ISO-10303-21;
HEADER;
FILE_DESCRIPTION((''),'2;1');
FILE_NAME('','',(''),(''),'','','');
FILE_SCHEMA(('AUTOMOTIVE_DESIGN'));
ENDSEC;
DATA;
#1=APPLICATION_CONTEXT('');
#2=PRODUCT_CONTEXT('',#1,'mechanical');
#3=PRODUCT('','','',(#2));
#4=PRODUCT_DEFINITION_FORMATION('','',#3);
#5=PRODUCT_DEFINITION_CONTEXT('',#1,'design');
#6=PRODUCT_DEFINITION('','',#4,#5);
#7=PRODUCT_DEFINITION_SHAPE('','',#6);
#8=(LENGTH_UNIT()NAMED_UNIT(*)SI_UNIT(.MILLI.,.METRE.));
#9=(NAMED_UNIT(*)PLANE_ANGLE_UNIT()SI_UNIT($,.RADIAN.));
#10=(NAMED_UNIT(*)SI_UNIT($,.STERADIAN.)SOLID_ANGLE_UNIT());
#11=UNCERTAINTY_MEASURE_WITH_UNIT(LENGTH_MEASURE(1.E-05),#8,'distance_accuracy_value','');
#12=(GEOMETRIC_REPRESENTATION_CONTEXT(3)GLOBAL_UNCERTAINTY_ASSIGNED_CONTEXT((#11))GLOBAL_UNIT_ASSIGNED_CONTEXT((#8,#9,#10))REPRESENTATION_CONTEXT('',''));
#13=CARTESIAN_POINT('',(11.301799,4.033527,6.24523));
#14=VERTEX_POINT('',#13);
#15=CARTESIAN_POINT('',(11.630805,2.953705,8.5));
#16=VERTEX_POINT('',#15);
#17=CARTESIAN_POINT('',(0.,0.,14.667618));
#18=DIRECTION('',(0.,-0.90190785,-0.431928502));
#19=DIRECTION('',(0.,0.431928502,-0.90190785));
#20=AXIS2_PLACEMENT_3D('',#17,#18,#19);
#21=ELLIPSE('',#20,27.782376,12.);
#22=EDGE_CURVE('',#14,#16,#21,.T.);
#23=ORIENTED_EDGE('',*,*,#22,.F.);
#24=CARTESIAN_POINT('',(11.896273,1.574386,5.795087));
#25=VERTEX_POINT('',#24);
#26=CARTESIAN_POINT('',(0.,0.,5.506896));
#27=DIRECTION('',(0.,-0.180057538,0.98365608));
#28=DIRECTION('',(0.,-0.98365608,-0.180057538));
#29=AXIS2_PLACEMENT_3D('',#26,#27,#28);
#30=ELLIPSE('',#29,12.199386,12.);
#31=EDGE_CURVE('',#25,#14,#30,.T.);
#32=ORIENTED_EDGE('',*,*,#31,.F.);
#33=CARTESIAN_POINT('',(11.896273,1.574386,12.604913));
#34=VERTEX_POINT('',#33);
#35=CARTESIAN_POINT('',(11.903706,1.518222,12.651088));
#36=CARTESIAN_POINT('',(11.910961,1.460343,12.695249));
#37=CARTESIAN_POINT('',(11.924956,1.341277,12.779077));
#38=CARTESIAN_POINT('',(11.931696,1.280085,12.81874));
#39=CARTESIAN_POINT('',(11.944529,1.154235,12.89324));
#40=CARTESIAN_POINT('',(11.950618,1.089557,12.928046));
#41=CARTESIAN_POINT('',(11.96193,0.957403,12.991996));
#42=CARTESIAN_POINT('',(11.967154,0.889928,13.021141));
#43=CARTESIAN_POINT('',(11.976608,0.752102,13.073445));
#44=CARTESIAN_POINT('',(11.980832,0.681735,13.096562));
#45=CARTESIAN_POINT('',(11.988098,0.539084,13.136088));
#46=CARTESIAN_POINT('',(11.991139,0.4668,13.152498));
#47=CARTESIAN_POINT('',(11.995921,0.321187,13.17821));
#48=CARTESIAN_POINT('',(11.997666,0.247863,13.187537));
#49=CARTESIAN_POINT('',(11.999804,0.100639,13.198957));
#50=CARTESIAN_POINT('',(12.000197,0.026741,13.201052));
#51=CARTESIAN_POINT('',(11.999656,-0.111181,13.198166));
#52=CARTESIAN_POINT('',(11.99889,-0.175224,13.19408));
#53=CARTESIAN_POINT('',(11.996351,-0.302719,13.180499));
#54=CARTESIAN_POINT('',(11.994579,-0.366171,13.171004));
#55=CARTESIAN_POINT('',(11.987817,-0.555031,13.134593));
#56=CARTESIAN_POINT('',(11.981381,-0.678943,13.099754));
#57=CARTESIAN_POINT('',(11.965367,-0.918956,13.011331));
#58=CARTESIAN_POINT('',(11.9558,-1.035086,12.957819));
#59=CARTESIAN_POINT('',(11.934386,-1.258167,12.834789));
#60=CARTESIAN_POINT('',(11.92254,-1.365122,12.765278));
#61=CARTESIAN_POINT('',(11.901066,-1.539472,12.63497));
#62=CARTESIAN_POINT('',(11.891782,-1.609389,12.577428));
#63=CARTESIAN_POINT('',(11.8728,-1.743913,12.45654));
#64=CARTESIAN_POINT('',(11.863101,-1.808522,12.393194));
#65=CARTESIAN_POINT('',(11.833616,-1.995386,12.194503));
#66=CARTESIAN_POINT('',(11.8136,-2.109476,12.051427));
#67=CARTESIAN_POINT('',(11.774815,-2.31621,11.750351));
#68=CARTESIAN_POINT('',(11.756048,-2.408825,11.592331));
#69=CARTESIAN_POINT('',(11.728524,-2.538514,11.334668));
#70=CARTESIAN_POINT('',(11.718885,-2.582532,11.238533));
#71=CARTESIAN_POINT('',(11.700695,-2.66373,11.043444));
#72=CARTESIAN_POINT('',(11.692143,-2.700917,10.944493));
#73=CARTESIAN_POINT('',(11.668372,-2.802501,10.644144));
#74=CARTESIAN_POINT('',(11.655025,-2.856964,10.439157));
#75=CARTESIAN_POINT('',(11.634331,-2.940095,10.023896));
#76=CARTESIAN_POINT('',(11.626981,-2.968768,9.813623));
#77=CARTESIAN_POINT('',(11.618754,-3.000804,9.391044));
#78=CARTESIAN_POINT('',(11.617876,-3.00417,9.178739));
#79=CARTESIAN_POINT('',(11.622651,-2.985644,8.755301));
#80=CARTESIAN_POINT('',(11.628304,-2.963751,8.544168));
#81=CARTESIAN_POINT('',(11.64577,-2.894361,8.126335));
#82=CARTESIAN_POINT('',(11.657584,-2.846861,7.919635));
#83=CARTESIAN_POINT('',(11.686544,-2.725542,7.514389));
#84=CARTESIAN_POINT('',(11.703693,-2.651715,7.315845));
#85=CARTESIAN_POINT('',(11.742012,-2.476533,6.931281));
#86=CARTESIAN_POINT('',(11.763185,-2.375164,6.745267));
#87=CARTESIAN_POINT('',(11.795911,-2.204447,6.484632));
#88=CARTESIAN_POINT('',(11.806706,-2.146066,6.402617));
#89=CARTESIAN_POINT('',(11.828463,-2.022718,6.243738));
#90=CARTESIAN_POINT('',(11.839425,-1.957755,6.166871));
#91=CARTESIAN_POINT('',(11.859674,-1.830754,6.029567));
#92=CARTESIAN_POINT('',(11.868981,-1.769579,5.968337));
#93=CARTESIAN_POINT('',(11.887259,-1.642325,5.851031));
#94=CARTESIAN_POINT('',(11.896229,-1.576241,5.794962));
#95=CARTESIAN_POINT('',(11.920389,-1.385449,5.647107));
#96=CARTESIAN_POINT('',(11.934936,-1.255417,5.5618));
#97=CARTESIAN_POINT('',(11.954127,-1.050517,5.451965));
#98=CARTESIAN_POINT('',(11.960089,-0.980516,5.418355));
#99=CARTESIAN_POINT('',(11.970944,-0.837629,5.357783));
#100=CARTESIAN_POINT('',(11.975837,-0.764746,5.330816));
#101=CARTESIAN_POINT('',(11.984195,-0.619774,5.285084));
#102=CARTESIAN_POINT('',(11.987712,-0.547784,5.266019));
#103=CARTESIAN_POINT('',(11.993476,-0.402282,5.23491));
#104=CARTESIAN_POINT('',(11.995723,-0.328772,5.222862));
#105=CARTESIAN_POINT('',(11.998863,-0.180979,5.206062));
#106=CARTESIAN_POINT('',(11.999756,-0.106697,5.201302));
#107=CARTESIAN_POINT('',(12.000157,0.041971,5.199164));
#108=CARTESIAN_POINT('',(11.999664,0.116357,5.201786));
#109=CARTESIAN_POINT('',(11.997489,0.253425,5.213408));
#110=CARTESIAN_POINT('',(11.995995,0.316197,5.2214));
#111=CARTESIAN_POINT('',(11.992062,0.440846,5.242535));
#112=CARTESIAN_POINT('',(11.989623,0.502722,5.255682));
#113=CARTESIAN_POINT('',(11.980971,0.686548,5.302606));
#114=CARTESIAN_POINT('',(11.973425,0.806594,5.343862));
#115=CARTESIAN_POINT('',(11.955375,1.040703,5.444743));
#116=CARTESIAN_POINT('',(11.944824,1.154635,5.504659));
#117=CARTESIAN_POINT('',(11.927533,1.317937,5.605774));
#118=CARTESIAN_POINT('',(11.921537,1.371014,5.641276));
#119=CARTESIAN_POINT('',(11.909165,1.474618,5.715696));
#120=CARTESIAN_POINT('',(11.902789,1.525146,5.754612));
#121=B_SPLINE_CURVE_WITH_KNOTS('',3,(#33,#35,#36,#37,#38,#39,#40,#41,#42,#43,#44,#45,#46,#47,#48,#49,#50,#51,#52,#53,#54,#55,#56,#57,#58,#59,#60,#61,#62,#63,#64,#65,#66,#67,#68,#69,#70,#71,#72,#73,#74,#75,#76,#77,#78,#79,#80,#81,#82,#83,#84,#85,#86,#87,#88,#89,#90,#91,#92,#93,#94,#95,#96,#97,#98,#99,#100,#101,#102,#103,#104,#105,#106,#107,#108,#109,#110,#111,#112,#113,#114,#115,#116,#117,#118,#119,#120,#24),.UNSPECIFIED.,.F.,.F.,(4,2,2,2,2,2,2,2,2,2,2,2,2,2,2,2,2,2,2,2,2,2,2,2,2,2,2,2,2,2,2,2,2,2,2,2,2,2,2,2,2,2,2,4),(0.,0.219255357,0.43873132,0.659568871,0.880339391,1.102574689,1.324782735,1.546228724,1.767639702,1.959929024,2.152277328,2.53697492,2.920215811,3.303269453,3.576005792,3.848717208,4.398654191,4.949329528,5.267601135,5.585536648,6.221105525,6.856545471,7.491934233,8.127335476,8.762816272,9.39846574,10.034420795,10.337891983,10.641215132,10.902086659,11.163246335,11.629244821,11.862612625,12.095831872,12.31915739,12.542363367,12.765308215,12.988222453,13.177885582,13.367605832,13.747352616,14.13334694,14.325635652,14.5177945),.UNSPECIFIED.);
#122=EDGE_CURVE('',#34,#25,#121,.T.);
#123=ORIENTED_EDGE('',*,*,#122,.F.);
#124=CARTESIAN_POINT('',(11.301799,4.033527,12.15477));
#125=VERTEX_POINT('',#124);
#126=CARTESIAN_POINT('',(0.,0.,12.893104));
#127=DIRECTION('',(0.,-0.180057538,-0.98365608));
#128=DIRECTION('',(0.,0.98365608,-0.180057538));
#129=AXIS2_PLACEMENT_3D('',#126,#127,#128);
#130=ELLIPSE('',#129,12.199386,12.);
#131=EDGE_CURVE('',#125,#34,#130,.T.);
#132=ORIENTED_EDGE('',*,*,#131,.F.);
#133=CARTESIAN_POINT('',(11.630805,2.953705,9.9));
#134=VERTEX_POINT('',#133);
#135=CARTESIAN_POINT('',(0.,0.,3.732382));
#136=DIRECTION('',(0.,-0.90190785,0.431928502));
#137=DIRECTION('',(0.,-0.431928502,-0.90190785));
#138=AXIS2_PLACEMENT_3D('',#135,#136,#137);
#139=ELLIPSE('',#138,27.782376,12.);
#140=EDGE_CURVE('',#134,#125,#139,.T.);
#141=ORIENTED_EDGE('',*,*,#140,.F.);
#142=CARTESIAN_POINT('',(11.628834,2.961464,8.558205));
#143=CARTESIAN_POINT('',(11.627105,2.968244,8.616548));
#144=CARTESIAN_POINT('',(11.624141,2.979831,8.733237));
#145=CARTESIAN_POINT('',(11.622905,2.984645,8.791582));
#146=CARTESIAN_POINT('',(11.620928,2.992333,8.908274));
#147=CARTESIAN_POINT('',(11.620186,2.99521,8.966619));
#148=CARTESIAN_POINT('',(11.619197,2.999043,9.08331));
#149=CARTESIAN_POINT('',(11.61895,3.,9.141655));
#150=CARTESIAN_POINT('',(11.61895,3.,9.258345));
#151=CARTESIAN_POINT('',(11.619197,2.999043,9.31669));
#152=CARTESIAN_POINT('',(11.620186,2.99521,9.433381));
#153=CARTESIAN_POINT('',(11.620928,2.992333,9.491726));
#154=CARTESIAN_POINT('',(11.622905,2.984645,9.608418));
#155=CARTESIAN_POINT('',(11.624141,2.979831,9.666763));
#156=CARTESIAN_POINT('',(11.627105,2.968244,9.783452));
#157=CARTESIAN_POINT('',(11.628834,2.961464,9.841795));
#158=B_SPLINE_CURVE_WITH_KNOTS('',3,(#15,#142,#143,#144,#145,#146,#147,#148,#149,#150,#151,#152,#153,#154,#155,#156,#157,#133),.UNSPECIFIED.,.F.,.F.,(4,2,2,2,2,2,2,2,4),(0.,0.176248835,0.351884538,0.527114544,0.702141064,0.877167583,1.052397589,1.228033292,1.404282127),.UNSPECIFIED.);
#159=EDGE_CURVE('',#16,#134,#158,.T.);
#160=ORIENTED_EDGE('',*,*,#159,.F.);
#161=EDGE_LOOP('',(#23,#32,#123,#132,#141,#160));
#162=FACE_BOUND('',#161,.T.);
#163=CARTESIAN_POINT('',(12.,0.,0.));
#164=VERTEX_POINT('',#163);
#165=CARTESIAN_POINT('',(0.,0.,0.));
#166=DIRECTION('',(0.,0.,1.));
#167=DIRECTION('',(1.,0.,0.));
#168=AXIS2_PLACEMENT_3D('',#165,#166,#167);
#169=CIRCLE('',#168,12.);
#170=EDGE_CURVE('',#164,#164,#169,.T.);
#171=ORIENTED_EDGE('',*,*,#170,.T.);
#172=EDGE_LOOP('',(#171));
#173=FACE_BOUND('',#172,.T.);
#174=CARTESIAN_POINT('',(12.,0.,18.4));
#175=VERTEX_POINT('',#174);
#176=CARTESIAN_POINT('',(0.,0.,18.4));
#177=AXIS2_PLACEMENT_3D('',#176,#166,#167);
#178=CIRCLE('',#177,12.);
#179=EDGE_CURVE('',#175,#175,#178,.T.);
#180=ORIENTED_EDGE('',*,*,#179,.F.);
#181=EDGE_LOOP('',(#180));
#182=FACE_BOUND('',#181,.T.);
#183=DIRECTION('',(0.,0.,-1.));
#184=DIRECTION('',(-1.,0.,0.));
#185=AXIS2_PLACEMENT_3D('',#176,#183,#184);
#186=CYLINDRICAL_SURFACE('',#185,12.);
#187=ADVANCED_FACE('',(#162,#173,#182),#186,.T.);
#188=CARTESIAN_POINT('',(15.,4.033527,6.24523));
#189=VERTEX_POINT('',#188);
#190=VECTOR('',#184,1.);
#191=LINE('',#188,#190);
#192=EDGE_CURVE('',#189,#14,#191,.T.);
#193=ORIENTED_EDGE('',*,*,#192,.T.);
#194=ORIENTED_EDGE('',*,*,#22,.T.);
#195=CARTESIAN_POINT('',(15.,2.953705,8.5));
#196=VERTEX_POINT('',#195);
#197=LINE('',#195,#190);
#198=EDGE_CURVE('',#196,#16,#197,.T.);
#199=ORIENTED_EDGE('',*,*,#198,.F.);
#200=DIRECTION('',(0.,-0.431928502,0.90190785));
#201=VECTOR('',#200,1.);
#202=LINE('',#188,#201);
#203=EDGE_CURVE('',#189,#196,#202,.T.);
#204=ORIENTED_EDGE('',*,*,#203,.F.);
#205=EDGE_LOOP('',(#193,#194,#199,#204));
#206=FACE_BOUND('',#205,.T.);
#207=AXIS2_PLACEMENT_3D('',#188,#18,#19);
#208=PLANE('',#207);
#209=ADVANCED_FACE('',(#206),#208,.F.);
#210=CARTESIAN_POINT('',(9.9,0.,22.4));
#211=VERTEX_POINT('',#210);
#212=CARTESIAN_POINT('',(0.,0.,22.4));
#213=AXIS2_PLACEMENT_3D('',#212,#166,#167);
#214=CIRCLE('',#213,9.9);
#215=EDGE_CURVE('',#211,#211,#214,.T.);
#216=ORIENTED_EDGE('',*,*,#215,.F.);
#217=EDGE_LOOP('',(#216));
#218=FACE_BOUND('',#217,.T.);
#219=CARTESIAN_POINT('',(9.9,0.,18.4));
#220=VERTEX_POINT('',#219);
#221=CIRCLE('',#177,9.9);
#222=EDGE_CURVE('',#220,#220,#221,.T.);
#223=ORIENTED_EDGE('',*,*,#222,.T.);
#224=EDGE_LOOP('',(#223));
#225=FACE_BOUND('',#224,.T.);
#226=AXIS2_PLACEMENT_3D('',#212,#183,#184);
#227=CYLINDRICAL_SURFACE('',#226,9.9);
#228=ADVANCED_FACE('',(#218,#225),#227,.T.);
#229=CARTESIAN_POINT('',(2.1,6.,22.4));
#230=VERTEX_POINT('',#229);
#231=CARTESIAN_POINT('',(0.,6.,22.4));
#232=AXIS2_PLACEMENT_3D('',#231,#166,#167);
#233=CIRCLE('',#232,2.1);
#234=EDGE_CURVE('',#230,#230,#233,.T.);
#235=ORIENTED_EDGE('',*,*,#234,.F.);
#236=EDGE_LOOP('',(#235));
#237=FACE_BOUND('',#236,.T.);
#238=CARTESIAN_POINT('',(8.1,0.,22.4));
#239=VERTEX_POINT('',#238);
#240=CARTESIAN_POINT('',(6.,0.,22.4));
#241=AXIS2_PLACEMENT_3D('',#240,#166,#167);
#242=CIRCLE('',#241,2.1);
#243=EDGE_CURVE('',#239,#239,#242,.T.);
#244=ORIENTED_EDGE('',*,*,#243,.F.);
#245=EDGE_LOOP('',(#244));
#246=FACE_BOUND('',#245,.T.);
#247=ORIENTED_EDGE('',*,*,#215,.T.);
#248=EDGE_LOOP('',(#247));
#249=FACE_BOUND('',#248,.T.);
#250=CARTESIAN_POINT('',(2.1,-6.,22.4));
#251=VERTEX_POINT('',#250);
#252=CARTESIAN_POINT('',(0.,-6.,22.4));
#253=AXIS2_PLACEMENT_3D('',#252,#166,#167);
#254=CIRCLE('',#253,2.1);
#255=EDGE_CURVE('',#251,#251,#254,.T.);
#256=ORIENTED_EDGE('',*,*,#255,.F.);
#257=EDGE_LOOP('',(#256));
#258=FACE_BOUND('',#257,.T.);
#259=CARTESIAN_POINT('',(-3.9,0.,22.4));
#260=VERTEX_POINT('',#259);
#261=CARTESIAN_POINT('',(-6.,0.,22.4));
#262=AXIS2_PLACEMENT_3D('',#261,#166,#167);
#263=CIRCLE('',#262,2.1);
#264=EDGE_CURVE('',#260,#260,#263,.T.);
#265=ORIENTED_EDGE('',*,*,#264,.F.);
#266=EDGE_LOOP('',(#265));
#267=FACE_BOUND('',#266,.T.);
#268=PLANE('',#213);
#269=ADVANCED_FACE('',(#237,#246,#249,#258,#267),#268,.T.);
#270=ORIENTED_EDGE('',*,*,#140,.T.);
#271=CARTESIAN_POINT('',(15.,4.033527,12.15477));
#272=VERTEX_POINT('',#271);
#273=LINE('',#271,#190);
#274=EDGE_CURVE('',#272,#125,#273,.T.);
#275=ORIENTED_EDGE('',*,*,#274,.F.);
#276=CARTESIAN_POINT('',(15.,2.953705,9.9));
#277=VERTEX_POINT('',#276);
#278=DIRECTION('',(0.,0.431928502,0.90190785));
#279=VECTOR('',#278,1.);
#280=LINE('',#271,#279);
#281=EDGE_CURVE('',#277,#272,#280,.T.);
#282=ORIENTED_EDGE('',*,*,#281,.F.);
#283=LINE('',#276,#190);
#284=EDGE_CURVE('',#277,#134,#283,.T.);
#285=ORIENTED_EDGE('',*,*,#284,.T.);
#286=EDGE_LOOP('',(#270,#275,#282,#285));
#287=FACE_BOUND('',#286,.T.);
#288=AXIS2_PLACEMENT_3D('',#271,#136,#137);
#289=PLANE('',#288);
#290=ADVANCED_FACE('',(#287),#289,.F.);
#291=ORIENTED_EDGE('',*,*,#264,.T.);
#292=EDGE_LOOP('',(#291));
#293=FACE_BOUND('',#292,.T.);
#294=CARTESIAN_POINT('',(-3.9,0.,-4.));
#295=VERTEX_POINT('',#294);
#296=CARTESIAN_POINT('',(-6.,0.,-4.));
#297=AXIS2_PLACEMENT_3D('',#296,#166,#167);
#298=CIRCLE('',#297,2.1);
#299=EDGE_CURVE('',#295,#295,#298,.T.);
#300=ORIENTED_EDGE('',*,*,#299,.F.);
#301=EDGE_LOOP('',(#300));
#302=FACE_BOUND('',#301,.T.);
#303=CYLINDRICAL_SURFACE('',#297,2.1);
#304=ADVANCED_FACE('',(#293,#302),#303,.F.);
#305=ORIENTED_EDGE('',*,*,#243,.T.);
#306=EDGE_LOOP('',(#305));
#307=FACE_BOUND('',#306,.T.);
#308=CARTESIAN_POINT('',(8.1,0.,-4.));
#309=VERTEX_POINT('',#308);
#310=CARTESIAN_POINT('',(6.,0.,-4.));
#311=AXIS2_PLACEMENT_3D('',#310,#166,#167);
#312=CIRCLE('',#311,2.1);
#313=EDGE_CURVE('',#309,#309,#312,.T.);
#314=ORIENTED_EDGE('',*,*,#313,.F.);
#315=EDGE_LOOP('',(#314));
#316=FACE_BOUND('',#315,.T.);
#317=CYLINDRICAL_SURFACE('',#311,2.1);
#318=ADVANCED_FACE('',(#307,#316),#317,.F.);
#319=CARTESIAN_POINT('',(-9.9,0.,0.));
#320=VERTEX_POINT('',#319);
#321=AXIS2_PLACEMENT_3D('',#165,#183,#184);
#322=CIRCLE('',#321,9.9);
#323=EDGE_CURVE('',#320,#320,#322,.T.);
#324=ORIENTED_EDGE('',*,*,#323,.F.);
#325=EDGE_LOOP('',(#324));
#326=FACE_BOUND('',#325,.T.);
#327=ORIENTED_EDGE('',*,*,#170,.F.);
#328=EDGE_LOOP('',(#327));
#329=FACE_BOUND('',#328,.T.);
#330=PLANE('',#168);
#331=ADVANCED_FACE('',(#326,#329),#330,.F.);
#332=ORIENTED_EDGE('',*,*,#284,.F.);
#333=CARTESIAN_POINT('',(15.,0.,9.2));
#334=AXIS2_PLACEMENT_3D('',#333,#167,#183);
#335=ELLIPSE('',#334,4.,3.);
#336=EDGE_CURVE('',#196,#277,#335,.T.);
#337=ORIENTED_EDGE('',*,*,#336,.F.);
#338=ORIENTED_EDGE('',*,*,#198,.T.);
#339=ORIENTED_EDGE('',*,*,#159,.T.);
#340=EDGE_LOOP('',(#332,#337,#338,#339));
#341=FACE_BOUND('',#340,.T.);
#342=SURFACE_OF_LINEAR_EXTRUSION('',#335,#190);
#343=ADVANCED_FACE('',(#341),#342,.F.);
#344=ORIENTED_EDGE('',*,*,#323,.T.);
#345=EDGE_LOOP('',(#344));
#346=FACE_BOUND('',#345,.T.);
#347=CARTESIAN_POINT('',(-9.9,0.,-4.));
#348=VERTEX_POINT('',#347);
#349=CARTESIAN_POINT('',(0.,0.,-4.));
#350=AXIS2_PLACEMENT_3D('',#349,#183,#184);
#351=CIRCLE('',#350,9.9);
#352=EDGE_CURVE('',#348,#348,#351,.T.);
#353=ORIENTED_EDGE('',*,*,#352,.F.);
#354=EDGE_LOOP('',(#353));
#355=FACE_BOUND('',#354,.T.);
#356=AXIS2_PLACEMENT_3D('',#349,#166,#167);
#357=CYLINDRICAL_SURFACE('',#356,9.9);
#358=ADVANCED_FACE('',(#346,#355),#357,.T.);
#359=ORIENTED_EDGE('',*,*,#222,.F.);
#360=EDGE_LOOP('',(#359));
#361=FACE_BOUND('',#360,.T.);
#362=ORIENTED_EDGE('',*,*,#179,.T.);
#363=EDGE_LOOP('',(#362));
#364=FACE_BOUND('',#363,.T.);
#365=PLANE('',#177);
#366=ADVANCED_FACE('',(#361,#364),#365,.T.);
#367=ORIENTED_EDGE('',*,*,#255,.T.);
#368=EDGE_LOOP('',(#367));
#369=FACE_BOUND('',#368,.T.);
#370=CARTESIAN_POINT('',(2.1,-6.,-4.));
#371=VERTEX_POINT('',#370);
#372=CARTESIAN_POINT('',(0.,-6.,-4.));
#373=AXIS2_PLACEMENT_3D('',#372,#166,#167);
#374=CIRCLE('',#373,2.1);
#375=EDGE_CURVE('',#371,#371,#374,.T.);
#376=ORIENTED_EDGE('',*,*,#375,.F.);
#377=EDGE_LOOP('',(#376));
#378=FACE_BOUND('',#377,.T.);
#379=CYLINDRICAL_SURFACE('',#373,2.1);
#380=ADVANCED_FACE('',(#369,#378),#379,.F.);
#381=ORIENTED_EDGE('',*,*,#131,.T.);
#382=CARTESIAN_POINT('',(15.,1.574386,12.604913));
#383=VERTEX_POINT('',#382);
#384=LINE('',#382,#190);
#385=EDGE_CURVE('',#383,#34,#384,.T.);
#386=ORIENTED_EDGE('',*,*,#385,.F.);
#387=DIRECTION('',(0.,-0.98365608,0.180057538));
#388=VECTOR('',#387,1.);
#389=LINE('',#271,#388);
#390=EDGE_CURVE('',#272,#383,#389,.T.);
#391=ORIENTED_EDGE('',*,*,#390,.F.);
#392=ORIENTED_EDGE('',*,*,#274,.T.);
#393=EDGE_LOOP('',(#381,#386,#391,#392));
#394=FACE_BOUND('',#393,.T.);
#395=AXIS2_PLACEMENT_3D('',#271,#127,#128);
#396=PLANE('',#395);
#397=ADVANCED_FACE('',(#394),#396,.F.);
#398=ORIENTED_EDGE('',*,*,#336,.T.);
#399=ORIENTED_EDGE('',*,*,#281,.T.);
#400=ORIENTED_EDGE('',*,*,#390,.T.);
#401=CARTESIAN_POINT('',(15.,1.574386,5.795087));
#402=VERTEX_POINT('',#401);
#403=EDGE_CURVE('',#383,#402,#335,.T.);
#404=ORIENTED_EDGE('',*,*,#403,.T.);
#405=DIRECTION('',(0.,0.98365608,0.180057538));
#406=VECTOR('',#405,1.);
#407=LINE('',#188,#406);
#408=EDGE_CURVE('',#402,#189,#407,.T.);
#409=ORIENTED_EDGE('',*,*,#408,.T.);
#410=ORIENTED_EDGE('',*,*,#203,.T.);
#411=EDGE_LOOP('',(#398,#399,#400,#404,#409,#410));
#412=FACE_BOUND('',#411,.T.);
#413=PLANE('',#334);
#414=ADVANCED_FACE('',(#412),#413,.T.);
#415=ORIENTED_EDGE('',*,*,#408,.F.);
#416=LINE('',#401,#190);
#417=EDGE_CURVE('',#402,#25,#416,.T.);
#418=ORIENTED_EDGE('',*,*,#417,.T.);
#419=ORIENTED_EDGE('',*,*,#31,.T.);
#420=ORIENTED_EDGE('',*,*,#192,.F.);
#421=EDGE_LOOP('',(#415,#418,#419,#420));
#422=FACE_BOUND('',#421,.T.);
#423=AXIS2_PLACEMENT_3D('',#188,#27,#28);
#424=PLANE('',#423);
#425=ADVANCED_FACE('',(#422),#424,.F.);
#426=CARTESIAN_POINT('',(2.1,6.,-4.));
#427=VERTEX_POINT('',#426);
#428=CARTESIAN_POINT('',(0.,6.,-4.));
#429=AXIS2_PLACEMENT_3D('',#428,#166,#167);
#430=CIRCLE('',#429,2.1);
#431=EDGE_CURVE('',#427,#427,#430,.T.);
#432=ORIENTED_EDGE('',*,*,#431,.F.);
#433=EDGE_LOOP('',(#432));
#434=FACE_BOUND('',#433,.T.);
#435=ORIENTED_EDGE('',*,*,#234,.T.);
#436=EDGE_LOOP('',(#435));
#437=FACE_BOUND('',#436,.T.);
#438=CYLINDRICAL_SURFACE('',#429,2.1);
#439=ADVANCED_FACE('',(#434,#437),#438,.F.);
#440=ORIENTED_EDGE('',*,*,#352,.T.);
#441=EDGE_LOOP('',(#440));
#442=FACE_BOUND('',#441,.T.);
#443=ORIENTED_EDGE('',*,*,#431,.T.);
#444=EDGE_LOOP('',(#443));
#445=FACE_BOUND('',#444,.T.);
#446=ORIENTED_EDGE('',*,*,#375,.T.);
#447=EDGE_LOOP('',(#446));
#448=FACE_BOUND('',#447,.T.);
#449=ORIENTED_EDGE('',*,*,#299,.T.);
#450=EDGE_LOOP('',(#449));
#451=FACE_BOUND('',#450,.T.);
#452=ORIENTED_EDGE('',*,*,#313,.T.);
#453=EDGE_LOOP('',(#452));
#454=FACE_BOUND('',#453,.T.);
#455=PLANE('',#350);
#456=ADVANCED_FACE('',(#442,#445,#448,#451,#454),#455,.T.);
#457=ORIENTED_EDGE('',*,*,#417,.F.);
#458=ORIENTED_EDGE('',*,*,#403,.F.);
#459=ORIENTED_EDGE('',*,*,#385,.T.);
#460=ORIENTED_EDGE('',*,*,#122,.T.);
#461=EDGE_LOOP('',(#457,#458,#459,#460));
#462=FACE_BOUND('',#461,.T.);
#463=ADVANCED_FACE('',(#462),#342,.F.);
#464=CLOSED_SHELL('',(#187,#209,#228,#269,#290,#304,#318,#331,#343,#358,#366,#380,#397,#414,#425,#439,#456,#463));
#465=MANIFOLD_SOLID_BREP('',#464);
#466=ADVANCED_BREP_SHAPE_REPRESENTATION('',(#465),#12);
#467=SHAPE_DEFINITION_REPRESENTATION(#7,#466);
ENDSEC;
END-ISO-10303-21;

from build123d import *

# Parameters (mm, degrees)
SKETCH_1_R          = 12
EXTRUDE_1_DEPTH     = 18.4
SKETCH_2_R          = 9.9
EXTRUDE_2_DEPTH     = 4
EXTRUDE_START       = 4
SKETCH_3_R          = 9.9
EXTRUDE_3_DEPTH     = 4
EXTRUDE_4_DEPTH     = 15
SKETCH_4_R          = 2.1
CUT_EXTRUDE_1_DEPTH = 33.649042948


with BuildPart() as part:
    # 草图1 → 凸台-拉伸1 (new body)
    with BuildSketch(Plane.XY):
        Circle(SKETCH_1_R)
    extrude(amount=EXTRUDE_1_DEPTH)

    # 草图2 → 凸台-拉伸2 (add)
    with BuildSketch(Plane.XY.offset(18.4)):
        Circle(SKETCH_2_R)
    extrude(amount=EXTRUDE_2_DEPTH)

    # 草图3 → 凸台-拉伸3 (add)
    with BuildSketch(Plane(origin=(0, 0, 0), x_dir=(-1, 0, 0), z_dir=(0, 0, -1)).offset(EXTRUDE_START)):
        with Locations(Location((0, 0, 0), (0, 0, 180))):
            Circle(SKETCH_3_R)
    extrude(amount=-EXTRUDE_3_DEPTH)

    # 草图7 → 凸台-拉伸4 (add)
    with BuildSketch(Plane(origin=(0, 0, 0), x_dir=(0, 0, -1), z_dir=(1, 0, 0))):
        with BuildLine():
            Line((-12.154769624, 4.033526555), (-12.60491347, 1.574386356))
            add(Edge.make_bspline(
                [(-12.60491347, 1.574386356), (-16.365153372, -3), (-9.2, -3), (-2.034846628, -3), (-5.79508653, 1.574386356)],
                knots=[2.589117856, 2.589117856, 2.589117856, 4.71238898, 4.71238898, 6.835660105, 6.835660105, 6.835660105], degree=2, weights=[1, 0.487444637, 1, 0.487444637, 1]))
            Line((-5.79508653, 1.574386356), (-6.245230376, 4.033526555))
            Line((-6.245230376, 4.033526555), (-8.5, 2.9537053))
            add(Edge.make_bspline(
                [(-8.5, 2.9537053), (-9.2, 3.047020297), (-9.9, 2.9537053)],
                knots=[1.394890559, 1.394890559, 1.394890559, 1.746702095, 1.746702095, 1.746702095], degree=2, weights=[1, 0.984568433, 1]))
            Line((-9.9, 2.9537053), (-12.154769624, 4.033526555))
        make_face()
    extrude(amount=EXTRUDE_4_DEPTH)

    # 草图4 → 切除-拉伸1 (cut, through all)
    with BuildSketch(Plane.XY.offset(22.4)):
        with Locations((0, 6)):
            Circle(SKETCH_4_R)
        with Locations((6, 0)):
            Circle(SKETCH_4_R)
        with Locations((0, -6)):
            Circle(SKETCH_4_R)
        with Locations((-6, 0)):
            Circle(SKETCH_4_R)
    extrude(amount=-CUT_EXTRUDE_1_DEPTH, mode=Mode.SUBTRACT)


solid = part.part
